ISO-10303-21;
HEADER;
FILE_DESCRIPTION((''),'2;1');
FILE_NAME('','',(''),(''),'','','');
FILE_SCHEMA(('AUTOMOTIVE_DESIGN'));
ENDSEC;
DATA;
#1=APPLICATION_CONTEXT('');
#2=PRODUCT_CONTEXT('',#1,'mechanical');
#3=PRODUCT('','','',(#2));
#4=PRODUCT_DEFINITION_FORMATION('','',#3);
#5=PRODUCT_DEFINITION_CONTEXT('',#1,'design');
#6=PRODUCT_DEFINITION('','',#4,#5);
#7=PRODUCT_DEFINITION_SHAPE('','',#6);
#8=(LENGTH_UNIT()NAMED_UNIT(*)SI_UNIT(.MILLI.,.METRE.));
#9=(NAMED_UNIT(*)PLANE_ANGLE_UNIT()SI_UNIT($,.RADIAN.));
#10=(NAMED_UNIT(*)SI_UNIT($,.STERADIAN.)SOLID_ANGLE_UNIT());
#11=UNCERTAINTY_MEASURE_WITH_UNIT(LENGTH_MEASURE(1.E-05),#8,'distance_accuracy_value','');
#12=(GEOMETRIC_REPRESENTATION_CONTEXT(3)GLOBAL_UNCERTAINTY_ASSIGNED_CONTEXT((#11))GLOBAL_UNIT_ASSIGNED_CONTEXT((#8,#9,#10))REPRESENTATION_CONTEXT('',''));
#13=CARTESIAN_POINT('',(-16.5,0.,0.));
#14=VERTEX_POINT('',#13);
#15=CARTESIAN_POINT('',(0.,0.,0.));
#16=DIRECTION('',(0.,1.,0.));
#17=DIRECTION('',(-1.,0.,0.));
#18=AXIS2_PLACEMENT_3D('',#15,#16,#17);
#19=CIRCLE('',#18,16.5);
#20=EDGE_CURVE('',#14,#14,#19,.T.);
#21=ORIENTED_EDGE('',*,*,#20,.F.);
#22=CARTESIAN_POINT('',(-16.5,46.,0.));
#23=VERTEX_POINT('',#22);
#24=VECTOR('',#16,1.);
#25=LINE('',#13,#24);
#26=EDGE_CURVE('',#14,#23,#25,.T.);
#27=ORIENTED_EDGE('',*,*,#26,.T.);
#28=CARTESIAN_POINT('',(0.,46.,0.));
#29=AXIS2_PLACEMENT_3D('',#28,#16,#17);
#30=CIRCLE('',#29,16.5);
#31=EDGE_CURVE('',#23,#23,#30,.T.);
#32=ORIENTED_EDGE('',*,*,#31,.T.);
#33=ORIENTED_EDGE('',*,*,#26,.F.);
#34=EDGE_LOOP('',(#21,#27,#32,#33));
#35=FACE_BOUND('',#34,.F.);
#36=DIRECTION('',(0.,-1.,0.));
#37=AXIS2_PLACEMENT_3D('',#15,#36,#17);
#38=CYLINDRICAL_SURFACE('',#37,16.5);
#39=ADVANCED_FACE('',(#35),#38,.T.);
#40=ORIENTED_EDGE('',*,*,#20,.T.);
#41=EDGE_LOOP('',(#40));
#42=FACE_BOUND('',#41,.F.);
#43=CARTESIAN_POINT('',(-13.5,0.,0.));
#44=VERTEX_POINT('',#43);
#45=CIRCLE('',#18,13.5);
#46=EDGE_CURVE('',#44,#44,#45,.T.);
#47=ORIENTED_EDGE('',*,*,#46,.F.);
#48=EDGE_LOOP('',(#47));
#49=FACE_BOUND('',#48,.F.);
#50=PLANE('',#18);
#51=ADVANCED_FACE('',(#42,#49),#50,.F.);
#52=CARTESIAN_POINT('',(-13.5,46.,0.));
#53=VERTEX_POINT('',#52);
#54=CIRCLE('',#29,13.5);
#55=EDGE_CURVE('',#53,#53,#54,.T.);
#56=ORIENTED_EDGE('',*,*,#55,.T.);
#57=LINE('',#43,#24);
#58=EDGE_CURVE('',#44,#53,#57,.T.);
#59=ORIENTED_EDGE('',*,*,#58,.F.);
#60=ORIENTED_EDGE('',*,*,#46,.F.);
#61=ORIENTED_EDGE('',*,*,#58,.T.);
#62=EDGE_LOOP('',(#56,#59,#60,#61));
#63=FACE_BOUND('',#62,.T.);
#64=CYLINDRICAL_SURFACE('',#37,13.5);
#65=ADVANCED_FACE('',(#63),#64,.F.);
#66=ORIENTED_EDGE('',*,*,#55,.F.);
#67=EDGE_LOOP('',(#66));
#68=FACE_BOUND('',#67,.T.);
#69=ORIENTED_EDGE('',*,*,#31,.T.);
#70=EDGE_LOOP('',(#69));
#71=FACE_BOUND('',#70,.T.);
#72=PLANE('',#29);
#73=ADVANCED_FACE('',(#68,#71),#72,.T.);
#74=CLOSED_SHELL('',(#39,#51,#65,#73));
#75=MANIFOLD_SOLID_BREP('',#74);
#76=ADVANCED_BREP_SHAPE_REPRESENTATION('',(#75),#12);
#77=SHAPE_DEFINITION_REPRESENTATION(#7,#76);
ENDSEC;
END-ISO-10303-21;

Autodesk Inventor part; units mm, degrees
ref_plane "YZ Plane" through (0, 0, 0) normal (1, 0, 0) x (0, 1, 0)
ref_plane "XZ Plane" through (0, 0, 0) normal (0, 1, 0) x (-1, 0, 0)
ref_plane "XY Plane" through (0, 0, 0) normal (0, 0, 1) x (1, 0, 0)
sketch "Sketch1" plane through (0, 0, 0) normal (0, 1, 0) x (-1, 0, 0)
  circle A0 centre (0, 0) radius 16.5
  circle A1 centre (0, 0) radius 13.5
  dimension "d0" = 33
  dimension "d1" = 27
extrude "Extrusion1" add sketch "Sketch1" along normal blind 46
properties part number "LensTubing"
